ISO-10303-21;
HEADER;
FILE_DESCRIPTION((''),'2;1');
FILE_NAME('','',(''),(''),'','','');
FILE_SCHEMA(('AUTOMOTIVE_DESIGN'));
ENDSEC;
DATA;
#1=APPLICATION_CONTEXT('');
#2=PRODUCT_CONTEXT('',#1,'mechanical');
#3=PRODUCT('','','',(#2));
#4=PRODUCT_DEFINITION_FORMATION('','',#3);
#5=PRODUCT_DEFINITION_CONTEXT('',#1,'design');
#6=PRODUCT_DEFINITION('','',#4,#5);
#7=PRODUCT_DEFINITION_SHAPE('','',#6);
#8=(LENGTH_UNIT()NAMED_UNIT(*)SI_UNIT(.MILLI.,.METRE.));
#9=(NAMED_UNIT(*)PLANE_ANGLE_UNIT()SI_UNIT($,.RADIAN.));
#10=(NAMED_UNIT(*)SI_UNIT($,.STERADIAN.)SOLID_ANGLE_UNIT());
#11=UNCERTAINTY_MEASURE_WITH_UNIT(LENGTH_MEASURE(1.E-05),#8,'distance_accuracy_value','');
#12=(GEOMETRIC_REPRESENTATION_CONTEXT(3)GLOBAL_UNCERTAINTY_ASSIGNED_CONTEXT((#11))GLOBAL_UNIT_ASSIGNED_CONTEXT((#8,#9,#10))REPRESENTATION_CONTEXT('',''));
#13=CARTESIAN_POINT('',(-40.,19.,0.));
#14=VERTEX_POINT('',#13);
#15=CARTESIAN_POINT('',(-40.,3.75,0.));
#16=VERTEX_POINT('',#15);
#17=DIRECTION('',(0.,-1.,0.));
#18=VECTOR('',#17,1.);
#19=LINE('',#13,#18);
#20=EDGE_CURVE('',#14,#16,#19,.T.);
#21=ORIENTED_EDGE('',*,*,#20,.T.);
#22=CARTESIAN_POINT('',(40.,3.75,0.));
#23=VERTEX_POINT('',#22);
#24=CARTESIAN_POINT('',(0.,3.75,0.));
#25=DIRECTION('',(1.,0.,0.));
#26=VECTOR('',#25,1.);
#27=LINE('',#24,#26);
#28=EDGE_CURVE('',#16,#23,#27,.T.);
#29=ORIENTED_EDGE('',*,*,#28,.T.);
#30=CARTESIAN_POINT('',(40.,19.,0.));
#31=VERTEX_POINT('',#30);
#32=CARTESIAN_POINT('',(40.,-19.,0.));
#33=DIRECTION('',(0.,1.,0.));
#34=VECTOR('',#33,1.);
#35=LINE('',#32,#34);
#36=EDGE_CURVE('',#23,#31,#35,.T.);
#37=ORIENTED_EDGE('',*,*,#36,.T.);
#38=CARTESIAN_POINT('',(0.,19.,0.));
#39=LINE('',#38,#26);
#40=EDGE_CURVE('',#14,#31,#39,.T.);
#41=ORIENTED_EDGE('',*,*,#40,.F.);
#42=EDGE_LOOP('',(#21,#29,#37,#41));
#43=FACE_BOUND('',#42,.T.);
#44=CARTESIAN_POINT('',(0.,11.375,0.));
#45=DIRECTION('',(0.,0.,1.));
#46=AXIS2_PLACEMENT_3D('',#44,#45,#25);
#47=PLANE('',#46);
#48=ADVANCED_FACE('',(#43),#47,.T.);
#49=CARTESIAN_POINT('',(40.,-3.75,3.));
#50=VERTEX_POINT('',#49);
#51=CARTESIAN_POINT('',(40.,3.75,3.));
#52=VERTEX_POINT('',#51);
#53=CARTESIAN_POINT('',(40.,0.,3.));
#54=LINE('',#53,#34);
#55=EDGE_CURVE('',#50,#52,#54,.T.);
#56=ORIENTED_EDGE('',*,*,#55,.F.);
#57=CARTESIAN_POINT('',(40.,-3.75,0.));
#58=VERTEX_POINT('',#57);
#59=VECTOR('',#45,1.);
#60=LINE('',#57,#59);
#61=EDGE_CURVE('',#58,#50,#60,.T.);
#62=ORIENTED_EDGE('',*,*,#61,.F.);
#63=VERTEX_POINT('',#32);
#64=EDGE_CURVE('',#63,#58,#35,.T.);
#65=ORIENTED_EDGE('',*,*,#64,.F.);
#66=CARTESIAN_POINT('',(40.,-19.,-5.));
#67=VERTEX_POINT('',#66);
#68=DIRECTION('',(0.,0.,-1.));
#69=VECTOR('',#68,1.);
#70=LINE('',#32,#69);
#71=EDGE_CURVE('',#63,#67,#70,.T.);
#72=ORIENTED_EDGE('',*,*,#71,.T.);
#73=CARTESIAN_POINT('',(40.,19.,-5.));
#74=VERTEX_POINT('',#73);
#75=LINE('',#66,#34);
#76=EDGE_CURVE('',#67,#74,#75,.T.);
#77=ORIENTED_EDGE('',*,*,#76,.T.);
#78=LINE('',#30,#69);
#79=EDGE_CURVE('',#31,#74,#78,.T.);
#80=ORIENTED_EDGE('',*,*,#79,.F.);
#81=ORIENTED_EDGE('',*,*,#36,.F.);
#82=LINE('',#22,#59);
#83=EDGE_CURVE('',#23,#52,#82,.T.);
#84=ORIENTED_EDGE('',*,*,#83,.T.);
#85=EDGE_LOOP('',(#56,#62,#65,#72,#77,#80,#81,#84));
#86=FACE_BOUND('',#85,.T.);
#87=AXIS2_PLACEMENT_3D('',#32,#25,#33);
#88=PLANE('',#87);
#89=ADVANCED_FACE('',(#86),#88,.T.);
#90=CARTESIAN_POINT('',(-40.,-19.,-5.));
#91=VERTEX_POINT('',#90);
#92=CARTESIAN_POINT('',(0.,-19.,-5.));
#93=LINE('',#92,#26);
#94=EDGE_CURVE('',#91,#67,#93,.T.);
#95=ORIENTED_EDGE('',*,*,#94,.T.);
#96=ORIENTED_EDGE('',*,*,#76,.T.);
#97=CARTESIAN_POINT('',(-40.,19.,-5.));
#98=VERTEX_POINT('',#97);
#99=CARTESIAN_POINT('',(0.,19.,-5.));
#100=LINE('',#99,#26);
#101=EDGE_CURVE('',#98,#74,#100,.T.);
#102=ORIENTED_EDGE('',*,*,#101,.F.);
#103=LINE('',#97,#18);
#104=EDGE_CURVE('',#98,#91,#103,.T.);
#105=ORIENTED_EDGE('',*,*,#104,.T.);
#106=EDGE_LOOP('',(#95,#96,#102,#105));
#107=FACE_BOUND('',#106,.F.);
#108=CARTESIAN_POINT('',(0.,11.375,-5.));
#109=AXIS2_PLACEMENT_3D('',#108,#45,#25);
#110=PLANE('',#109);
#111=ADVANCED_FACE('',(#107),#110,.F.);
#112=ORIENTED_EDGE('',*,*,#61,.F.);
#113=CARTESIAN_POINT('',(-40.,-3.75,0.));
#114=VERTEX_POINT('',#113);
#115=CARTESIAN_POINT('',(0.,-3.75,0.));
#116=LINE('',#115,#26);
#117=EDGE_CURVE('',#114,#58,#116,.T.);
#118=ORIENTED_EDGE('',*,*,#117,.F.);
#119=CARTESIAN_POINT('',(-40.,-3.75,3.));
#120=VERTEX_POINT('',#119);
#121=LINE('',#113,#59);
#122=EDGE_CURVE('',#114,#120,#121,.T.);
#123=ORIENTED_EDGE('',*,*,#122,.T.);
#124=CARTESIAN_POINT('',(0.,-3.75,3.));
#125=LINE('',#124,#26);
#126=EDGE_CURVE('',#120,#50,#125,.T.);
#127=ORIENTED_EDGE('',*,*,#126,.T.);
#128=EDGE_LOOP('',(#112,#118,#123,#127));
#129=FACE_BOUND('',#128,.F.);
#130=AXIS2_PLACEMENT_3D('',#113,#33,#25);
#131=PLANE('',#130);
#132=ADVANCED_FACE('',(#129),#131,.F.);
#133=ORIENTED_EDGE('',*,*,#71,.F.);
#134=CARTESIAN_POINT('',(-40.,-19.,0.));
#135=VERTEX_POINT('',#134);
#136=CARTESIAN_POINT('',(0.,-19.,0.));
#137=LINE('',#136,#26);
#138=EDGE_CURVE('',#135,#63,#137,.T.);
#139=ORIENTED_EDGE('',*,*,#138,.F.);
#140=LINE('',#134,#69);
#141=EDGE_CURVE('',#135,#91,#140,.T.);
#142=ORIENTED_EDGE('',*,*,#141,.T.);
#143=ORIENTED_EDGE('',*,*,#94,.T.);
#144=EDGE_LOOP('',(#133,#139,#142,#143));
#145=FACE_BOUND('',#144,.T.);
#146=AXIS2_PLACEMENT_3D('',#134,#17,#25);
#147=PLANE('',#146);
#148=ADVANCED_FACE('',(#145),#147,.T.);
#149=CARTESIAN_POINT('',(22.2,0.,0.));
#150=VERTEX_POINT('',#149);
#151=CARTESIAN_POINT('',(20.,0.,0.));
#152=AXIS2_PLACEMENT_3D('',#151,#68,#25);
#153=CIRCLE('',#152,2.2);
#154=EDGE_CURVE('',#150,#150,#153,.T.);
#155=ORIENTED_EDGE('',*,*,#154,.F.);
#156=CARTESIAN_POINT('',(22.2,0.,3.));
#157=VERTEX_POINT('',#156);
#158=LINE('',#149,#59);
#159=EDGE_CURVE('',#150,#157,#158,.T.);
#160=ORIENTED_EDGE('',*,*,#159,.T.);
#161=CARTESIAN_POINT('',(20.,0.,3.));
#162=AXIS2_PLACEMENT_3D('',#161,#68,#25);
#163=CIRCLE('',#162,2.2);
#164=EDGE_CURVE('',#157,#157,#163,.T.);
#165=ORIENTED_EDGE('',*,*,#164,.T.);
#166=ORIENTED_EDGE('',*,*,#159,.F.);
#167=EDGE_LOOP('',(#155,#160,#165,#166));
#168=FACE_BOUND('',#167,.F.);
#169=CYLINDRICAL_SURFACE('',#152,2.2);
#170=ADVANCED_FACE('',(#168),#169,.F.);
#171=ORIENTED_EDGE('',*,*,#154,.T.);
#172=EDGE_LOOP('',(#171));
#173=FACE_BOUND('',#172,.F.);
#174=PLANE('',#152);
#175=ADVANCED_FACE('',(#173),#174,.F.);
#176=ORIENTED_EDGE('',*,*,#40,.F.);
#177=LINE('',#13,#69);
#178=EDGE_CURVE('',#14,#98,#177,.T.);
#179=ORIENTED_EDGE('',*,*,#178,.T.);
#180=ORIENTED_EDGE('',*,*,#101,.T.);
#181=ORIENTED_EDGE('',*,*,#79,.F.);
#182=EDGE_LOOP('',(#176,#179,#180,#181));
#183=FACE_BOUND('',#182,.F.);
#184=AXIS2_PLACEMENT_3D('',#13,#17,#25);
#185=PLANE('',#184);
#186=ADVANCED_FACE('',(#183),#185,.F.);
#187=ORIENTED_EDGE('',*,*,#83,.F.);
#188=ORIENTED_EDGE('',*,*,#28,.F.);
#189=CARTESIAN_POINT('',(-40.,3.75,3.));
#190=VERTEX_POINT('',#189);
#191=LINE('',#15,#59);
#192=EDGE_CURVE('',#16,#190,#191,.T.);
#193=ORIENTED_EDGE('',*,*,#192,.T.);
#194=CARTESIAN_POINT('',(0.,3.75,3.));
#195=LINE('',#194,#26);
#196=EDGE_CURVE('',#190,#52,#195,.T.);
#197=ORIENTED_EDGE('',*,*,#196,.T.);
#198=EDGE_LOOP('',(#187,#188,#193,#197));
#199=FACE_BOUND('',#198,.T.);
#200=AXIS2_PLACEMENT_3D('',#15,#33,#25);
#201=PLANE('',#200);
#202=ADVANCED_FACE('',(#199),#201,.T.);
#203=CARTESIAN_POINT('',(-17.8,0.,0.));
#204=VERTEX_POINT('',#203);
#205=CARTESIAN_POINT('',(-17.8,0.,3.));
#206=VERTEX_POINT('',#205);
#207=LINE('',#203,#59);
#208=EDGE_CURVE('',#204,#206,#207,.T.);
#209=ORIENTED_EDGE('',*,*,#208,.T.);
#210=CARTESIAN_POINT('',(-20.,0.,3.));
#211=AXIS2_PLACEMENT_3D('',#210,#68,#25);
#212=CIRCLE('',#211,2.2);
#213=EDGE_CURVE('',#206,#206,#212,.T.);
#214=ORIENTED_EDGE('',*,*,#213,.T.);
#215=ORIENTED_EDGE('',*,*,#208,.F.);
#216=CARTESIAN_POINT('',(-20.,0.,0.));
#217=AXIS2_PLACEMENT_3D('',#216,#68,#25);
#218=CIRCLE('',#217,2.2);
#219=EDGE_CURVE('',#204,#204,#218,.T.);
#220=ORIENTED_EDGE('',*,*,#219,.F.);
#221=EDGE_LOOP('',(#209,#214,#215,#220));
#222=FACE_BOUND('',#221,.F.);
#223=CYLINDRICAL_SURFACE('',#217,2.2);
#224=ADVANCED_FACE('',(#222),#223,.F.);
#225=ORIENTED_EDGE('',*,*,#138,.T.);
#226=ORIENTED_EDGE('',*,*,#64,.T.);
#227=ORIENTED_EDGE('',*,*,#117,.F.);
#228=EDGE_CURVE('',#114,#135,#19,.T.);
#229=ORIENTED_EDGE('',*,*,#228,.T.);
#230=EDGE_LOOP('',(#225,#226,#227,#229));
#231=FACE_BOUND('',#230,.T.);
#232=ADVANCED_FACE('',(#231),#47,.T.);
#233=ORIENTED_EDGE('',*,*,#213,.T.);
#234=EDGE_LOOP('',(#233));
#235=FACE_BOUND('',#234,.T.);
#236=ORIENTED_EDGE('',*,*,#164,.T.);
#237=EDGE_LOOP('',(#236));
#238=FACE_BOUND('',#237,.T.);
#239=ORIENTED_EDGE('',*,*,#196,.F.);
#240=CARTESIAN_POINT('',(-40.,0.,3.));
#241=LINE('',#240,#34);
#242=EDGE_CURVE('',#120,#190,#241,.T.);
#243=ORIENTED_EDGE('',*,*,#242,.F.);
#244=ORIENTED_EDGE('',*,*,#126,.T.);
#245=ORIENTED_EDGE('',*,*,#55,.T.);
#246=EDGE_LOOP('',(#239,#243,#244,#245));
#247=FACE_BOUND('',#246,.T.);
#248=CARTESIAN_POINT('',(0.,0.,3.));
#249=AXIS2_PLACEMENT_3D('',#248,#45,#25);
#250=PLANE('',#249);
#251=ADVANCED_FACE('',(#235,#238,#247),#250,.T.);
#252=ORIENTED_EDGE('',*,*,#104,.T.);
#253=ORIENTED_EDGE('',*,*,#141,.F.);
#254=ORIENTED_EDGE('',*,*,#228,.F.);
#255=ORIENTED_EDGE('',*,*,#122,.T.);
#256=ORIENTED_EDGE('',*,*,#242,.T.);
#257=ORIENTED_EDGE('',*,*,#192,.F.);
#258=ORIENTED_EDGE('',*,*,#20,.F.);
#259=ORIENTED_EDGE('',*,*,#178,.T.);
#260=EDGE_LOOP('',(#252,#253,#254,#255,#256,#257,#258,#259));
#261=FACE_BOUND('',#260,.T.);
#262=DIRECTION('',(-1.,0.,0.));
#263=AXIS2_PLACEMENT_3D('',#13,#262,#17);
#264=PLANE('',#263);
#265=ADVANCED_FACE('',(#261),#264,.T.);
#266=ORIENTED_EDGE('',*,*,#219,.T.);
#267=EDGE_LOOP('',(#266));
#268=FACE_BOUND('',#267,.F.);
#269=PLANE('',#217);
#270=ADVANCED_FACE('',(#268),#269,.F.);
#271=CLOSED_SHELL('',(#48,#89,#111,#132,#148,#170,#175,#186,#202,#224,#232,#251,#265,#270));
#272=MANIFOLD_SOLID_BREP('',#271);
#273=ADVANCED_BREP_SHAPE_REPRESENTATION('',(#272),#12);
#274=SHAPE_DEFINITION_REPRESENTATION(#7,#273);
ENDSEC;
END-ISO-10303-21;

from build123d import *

# Parameters (mm, degrees)
F0_W     = 80
F0_H     = 15.25
F0_H_2   = 7.5
F1_DEPTH = 5
F2_DEPTH = 3
F4_D     = 4.4
F4_DEPTH = 3.001


with BuildPart() as f1:
    # F0 (on Top) → F1 (new body)
    with BuildSketch(Plane.XY):
        with Locations((0, 11.375)):
            Rectangle(F0_W, F0_H)
        with Locations((0, -11.375)):
            Rectangle(F0_W, F0_H)
        Rectangle(F0_W, F0_H_2)
    extrude(amount=-F1_DEPTH)

    # F0 (on Top) → F2 (join)
    with BuildSketch(Plane.XY):
        Rectangle(F0_W, F0_H_2)
    extrude(amount=F2_DEPTH)

    # F4 (through all, one way)
    with BuildSketch(Plane(origin=(0, 0, 0), x_dir=(1, 0, 0), z_dir=(0, 0, -1))):
        with Locations((-20, 0), (20, 0)):
            Circle(F4_D / 2)
    extrude(amount=-F4_DEPTH, mode=Mode.SUBTRACT)


solid = f1.part
